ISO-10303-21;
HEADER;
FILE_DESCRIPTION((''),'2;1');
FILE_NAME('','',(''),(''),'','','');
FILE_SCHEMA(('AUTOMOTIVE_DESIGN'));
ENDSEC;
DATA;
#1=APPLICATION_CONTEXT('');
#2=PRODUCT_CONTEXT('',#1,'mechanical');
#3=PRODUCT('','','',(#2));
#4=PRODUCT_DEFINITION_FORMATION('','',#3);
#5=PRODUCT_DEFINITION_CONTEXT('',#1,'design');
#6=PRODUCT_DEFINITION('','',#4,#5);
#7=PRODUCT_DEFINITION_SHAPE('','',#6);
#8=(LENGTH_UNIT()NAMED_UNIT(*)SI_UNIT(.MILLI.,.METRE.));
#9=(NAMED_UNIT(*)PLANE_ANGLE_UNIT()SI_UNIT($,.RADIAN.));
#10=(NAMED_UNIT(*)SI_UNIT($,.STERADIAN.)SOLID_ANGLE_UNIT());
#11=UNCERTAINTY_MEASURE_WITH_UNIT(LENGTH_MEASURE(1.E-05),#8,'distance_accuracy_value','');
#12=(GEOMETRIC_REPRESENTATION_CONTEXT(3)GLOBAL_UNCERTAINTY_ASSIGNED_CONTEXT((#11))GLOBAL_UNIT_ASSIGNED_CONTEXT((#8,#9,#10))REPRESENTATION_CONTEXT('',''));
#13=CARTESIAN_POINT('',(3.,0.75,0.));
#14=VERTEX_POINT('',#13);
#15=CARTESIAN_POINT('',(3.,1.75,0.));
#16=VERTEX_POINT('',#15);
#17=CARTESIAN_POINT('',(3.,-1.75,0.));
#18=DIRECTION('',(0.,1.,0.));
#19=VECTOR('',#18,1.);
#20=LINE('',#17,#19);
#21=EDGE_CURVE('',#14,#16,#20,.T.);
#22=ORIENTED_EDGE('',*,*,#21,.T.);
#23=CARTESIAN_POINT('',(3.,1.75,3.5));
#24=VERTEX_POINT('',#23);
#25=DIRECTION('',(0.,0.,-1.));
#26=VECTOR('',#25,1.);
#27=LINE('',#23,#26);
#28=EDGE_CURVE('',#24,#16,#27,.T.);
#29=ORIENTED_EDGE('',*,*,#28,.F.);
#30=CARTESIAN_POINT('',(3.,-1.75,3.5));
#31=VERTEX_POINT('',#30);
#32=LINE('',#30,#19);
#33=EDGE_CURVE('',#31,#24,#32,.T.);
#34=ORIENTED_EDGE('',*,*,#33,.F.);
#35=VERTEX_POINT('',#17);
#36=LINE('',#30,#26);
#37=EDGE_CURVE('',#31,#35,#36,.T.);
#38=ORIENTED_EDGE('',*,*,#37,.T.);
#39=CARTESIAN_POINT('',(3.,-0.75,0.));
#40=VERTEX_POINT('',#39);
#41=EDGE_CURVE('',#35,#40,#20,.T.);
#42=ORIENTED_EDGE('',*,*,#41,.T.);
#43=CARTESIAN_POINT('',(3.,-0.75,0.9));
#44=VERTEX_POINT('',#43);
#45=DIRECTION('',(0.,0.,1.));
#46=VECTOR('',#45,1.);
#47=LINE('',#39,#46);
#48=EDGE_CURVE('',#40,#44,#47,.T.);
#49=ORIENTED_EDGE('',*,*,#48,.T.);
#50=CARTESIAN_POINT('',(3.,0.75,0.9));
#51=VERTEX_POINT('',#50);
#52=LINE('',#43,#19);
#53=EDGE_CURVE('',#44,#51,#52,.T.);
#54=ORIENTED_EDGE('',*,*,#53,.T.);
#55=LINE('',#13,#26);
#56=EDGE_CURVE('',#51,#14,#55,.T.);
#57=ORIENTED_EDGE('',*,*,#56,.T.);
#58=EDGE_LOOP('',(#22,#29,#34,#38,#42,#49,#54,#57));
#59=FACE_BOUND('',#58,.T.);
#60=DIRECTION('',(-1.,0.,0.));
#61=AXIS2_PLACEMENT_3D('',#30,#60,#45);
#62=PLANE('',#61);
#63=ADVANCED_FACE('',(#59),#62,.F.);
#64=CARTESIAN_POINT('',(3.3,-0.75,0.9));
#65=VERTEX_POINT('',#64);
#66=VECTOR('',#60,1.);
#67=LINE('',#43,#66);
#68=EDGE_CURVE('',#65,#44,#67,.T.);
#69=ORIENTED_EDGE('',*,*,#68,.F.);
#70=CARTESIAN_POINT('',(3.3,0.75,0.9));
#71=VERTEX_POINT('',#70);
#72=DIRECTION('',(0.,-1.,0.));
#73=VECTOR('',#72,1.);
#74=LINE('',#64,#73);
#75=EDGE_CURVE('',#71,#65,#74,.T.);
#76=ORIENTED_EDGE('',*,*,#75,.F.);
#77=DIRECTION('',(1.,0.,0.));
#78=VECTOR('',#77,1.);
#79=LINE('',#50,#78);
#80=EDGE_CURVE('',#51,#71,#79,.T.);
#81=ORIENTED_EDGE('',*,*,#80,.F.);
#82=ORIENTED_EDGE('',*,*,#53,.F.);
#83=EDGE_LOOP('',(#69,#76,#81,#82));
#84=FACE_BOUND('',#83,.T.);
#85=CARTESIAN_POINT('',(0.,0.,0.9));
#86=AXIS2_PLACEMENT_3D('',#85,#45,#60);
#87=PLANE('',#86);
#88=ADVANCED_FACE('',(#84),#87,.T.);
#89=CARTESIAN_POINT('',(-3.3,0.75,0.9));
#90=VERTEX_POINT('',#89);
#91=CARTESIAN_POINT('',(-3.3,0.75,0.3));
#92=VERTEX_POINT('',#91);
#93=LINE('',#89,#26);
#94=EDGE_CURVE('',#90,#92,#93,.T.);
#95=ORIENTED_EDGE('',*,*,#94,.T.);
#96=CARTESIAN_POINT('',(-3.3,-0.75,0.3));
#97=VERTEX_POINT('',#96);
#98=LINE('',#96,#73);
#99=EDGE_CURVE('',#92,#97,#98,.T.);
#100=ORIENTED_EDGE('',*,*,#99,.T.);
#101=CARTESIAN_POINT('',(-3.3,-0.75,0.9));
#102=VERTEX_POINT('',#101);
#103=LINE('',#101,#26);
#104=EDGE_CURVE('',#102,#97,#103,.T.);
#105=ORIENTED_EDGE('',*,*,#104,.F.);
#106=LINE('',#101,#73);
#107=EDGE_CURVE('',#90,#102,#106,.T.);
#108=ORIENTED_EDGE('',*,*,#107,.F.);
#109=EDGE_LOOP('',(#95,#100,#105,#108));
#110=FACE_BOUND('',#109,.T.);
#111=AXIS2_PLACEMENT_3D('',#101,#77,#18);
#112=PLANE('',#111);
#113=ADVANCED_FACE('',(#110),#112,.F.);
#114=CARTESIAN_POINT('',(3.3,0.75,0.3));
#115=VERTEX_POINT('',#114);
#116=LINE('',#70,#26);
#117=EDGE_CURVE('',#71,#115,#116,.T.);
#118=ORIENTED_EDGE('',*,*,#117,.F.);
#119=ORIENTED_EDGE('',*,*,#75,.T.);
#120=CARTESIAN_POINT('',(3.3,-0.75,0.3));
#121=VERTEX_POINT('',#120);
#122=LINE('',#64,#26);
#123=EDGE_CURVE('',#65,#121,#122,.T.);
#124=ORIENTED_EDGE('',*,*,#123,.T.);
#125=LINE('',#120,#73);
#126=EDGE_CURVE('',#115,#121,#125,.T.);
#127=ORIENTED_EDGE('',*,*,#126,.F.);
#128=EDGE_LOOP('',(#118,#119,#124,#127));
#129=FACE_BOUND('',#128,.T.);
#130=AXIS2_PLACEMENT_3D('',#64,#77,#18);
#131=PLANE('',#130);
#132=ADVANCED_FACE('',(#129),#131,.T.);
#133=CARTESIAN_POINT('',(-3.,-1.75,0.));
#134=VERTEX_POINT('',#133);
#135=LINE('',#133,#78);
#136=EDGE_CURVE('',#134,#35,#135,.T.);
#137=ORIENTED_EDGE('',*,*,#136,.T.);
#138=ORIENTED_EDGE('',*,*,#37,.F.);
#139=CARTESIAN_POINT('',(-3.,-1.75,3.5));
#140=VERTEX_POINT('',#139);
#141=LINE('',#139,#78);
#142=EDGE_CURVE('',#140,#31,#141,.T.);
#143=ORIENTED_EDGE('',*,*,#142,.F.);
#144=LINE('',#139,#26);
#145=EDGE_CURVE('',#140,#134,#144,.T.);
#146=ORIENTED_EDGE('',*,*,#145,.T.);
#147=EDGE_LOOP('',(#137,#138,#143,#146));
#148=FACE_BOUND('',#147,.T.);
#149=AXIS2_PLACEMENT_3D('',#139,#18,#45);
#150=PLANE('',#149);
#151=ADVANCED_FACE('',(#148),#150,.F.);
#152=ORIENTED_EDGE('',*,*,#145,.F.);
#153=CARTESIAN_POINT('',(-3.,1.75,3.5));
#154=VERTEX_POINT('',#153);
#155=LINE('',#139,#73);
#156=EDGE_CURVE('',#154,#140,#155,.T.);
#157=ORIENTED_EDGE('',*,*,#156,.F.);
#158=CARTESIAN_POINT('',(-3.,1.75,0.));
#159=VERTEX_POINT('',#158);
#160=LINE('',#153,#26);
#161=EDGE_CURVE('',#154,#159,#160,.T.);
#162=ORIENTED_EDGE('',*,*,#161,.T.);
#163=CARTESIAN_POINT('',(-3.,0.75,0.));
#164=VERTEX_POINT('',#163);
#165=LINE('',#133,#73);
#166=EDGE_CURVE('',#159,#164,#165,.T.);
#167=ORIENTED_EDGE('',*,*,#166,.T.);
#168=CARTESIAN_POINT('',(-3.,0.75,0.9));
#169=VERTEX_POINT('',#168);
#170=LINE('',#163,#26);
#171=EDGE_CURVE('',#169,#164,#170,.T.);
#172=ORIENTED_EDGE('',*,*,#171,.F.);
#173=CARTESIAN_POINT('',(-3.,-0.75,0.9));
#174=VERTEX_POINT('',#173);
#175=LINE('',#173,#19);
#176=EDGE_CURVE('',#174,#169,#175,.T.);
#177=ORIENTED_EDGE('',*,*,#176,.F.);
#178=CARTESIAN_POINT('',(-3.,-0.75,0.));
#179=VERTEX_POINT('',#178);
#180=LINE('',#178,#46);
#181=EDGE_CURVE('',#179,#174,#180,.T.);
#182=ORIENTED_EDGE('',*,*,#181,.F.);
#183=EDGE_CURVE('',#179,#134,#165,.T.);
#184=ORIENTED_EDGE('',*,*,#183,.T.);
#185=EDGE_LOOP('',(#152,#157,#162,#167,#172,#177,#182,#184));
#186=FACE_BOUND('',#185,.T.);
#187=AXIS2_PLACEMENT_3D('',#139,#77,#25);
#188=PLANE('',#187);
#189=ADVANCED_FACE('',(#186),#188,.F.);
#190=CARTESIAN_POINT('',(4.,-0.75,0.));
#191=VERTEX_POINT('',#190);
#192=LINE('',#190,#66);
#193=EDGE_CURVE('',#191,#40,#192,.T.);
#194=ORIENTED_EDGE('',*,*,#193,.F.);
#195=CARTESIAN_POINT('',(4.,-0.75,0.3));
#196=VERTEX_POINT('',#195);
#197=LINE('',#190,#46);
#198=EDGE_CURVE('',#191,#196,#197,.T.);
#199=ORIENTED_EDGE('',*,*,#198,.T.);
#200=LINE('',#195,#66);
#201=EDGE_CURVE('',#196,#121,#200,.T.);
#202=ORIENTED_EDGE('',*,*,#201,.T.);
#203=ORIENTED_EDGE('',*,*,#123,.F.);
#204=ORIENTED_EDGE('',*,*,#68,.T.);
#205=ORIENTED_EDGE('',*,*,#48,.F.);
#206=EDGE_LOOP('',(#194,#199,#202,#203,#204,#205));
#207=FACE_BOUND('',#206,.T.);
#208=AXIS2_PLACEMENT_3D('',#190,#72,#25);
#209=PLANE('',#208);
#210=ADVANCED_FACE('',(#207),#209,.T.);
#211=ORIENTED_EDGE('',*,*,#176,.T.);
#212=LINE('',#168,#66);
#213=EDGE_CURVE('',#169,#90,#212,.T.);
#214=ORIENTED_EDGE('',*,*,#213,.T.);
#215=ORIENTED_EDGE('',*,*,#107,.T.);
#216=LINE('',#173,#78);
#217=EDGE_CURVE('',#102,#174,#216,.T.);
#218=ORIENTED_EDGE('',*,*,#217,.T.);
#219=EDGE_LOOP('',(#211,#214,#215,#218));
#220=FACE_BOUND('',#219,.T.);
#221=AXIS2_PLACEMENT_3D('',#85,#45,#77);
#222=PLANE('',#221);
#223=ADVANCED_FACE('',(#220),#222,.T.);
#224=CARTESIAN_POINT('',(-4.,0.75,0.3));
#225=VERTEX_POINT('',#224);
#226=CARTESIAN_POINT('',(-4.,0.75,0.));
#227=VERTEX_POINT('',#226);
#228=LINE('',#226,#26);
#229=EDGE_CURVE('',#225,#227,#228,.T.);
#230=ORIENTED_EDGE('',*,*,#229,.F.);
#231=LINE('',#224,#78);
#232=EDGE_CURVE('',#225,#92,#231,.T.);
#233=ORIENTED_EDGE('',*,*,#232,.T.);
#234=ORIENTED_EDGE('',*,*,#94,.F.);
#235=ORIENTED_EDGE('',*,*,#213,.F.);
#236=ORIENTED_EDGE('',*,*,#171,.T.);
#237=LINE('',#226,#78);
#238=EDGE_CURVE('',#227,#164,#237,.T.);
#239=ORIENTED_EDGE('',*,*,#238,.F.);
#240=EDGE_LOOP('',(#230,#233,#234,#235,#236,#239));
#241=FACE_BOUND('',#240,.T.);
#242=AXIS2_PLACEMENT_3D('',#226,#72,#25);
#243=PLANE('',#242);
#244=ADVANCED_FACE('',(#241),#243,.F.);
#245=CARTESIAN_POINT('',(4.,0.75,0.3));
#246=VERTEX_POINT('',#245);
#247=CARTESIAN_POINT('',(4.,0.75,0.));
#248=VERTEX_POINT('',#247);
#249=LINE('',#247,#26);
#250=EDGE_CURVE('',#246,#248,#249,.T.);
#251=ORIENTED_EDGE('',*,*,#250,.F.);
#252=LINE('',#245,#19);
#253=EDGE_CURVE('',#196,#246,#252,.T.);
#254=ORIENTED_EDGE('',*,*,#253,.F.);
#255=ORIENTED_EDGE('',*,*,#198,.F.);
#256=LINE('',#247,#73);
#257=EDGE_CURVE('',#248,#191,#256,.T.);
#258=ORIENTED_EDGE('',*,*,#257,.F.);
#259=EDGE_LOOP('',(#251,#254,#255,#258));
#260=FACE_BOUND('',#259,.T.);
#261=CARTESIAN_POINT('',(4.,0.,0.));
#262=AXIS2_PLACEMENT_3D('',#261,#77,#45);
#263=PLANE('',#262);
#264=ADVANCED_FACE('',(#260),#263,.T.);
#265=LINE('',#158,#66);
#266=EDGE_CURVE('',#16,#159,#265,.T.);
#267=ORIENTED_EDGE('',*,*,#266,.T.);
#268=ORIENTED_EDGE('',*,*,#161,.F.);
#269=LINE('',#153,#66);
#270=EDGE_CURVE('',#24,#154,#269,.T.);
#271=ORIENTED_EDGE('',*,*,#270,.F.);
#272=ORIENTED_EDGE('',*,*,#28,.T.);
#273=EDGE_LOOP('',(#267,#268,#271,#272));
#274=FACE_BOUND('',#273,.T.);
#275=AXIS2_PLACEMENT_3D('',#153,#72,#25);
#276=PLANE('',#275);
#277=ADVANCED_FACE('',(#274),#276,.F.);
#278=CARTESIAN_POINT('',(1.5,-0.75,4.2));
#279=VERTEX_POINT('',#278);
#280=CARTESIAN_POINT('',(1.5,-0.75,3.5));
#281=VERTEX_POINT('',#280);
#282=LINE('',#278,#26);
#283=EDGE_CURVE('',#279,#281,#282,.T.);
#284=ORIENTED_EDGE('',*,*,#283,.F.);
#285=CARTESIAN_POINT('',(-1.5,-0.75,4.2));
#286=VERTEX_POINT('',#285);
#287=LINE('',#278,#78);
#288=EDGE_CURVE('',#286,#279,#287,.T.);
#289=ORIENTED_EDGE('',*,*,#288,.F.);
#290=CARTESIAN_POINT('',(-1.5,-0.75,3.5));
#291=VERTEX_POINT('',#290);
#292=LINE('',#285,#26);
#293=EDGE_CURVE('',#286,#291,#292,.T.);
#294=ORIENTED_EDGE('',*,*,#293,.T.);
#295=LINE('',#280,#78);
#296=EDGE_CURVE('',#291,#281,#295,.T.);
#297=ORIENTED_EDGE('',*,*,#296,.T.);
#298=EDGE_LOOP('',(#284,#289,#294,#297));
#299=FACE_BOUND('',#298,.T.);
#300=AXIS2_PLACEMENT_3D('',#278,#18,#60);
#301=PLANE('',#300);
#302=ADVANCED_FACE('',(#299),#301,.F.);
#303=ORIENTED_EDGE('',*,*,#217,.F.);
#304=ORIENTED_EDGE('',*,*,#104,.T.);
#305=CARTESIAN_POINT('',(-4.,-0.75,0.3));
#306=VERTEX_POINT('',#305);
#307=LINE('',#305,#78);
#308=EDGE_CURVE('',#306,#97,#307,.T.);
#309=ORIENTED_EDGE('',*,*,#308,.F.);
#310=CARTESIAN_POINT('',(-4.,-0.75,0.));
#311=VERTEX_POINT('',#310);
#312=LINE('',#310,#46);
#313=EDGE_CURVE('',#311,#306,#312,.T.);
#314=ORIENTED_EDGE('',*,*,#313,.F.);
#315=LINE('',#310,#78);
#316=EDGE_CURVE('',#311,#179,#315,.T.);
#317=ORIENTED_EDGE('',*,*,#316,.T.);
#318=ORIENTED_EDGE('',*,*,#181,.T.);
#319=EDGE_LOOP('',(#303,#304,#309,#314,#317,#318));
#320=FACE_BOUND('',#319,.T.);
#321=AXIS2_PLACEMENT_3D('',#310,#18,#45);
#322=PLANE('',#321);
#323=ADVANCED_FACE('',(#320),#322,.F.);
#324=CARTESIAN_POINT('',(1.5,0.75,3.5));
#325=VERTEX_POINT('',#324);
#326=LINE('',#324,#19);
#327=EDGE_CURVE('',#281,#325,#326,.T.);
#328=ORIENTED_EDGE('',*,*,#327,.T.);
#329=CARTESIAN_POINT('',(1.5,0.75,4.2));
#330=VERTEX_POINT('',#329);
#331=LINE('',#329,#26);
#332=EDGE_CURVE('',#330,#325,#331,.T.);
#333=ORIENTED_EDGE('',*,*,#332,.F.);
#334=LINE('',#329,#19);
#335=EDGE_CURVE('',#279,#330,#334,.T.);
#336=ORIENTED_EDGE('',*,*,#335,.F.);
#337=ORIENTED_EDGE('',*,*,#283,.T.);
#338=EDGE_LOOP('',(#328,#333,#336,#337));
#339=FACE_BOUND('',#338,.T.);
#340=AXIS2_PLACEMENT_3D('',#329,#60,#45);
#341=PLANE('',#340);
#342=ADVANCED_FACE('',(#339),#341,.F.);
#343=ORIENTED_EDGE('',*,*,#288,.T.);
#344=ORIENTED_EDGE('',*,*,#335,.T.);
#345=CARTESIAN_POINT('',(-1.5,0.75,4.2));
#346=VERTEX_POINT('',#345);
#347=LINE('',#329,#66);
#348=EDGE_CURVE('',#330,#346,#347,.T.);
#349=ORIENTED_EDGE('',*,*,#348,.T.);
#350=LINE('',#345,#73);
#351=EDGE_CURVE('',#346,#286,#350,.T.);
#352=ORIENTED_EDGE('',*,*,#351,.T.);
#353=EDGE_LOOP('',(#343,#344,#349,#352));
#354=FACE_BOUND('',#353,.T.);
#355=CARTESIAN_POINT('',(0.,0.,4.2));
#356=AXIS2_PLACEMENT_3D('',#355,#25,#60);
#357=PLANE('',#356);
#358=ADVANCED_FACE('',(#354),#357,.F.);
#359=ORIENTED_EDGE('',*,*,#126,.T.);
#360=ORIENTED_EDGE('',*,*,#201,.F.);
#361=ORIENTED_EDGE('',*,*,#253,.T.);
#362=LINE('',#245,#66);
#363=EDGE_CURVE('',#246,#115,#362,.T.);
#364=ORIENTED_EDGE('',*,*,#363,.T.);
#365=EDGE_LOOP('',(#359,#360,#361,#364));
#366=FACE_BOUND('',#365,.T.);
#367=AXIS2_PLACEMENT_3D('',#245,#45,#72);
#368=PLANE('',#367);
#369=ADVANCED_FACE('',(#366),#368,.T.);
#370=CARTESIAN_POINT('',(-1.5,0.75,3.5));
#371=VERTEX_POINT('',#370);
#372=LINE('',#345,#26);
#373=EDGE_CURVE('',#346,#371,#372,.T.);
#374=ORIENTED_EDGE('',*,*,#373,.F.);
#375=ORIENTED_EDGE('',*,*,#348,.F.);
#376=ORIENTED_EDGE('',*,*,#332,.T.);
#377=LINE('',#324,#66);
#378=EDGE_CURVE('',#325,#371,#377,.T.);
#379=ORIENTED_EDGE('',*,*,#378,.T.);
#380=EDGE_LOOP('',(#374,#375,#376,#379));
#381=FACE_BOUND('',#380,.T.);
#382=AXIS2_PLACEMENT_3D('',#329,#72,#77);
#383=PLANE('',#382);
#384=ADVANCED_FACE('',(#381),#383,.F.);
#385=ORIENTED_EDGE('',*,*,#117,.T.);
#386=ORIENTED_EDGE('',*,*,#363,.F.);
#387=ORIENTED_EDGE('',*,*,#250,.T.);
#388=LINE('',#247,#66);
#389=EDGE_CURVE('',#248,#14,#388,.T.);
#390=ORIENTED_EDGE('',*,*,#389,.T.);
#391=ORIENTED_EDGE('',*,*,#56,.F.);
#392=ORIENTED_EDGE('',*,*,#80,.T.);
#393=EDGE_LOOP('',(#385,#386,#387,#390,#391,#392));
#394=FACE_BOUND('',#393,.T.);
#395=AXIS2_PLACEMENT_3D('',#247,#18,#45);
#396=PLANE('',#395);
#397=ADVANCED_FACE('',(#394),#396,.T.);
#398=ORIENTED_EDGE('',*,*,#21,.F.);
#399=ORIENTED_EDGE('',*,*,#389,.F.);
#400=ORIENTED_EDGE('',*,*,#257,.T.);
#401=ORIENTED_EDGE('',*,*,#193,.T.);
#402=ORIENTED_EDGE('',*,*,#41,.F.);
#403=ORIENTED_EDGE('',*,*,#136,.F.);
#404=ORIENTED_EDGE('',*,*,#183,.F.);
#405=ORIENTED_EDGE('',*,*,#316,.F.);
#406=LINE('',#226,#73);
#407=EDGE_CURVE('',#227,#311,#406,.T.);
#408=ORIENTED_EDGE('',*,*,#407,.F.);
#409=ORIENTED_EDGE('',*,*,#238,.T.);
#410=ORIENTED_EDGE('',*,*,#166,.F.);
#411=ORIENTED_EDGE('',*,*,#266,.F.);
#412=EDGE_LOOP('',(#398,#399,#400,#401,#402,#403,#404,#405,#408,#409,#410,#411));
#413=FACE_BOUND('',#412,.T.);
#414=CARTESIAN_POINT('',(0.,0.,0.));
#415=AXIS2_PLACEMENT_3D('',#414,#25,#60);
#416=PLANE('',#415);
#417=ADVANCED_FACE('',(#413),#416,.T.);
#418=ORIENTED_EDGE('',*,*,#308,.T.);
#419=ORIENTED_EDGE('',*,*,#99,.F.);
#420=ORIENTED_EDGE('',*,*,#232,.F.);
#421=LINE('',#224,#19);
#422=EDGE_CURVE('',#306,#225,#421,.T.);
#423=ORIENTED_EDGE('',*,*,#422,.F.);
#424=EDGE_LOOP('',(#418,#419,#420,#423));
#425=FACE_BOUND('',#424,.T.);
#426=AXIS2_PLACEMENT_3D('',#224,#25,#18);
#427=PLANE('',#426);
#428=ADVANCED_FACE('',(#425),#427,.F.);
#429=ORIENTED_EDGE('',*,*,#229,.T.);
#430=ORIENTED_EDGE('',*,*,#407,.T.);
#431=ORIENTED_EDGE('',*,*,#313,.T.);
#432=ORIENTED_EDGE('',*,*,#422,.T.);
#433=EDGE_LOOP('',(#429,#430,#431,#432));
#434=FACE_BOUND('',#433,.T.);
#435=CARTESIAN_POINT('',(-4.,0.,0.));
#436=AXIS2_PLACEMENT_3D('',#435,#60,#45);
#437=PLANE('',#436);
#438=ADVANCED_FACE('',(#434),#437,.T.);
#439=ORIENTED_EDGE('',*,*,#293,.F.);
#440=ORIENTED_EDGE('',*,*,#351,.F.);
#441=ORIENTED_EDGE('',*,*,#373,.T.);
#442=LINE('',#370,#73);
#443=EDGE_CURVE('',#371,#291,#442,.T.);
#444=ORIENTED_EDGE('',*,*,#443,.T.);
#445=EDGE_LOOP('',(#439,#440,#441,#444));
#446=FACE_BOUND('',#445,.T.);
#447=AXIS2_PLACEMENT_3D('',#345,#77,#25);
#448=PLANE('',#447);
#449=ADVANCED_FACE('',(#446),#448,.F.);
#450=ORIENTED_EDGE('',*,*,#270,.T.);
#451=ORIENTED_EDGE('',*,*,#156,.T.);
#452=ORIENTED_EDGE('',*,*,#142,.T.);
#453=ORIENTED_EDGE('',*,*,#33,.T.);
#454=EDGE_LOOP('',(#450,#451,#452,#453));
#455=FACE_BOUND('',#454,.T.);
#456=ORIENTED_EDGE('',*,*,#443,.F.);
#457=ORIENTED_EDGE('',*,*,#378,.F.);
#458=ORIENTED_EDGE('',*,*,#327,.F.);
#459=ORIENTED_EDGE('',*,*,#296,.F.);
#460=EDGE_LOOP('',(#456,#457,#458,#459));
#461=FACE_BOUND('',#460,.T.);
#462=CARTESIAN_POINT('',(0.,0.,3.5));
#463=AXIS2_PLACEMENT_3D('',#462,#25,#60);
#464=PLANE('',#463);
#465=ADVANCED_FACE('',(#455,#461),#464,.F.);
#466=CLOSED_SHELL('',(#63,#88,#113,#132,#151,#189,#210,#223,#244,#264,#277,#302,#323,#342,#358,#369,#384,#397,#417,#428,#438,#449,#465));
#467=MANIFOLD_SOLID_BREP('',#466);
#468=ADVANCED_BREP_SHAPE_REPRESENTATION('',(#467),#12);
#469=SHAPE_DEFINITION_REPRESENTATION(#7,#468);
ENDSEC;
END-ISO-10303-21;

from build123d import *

# Parameters (mm, degrees)
SKETCH1_W           = 6
SKETCH1_H           = 3.5
BOSS_EXTRUDE1_DEPTH = 3.5
SKETCH2_W           = 3
SKETCH2_H           = 1.5
BOSS_EXTRUDE2_DEPTH = 0.7
SKETCH3_W           = 0.3
SKETCH3_H           = 1.5
BOSS_EXTRUDE3_DEPTH = 1
SKETCH4_W           = 0.3
SKETCH4_H           = 1.5
BOSS_EXTRUDE4_DEPTH = 0.6


with BuildPart() as part:
    # Sketch1 → Boss-Extrude1 (new body)
    with BuildSketch(Plane.XY):
        Rectangle(SKETCH1_W, SKETCH1_H)
    extrude(amount=BOSS_EXTRUDE1_DEPTH)

    # Sketch2 → Boss-Extrude2 (add)
    with BuildSketch(Plane.XY.offset(3.5)):
        Rectangle(SKETCH2_W, SKETCH2_H)
    extrude(amount=BOSS_EXTRUDE2_DEPTH)

    # Sketch3 → Boss-Extrude3 (add)
    with BuildSketch(Plane.ZY.offset(3)):
        with Locations((0.15, 0)):
            Rectangle(SKETCH3_W, SKETCH3_H)
    boss_extrude3 = extrude(amount=BOSS_EXTRUDE3_DEPTH)

    # Sketch4 → Boss-Extrude4 (add)
    with BuildSketch(Plane.XY.offset(0.3)):
        with Locations((-3.15, 0)):
            Rectangle(SKETCH4_W, SKETCH4_H)
    boss_extrude4 = extrude(amount=BOSS_EXTRUDE4_DEPTH)

    # Mirror1: Boss-Extrude3, Boss-Extrude4 across plane
    add(boss_extrude3.mirror(Plane(origin=(0, 0, 0), x_dir=(0, 0, 1), z_dir=(1, 0, 0))))
    add(boss_extrude4.mirror(Plane(origin=(0, 0, 0), x_dir=(0, 0, 1), z_dir=(1, 0, 0))))


solid = part.part
